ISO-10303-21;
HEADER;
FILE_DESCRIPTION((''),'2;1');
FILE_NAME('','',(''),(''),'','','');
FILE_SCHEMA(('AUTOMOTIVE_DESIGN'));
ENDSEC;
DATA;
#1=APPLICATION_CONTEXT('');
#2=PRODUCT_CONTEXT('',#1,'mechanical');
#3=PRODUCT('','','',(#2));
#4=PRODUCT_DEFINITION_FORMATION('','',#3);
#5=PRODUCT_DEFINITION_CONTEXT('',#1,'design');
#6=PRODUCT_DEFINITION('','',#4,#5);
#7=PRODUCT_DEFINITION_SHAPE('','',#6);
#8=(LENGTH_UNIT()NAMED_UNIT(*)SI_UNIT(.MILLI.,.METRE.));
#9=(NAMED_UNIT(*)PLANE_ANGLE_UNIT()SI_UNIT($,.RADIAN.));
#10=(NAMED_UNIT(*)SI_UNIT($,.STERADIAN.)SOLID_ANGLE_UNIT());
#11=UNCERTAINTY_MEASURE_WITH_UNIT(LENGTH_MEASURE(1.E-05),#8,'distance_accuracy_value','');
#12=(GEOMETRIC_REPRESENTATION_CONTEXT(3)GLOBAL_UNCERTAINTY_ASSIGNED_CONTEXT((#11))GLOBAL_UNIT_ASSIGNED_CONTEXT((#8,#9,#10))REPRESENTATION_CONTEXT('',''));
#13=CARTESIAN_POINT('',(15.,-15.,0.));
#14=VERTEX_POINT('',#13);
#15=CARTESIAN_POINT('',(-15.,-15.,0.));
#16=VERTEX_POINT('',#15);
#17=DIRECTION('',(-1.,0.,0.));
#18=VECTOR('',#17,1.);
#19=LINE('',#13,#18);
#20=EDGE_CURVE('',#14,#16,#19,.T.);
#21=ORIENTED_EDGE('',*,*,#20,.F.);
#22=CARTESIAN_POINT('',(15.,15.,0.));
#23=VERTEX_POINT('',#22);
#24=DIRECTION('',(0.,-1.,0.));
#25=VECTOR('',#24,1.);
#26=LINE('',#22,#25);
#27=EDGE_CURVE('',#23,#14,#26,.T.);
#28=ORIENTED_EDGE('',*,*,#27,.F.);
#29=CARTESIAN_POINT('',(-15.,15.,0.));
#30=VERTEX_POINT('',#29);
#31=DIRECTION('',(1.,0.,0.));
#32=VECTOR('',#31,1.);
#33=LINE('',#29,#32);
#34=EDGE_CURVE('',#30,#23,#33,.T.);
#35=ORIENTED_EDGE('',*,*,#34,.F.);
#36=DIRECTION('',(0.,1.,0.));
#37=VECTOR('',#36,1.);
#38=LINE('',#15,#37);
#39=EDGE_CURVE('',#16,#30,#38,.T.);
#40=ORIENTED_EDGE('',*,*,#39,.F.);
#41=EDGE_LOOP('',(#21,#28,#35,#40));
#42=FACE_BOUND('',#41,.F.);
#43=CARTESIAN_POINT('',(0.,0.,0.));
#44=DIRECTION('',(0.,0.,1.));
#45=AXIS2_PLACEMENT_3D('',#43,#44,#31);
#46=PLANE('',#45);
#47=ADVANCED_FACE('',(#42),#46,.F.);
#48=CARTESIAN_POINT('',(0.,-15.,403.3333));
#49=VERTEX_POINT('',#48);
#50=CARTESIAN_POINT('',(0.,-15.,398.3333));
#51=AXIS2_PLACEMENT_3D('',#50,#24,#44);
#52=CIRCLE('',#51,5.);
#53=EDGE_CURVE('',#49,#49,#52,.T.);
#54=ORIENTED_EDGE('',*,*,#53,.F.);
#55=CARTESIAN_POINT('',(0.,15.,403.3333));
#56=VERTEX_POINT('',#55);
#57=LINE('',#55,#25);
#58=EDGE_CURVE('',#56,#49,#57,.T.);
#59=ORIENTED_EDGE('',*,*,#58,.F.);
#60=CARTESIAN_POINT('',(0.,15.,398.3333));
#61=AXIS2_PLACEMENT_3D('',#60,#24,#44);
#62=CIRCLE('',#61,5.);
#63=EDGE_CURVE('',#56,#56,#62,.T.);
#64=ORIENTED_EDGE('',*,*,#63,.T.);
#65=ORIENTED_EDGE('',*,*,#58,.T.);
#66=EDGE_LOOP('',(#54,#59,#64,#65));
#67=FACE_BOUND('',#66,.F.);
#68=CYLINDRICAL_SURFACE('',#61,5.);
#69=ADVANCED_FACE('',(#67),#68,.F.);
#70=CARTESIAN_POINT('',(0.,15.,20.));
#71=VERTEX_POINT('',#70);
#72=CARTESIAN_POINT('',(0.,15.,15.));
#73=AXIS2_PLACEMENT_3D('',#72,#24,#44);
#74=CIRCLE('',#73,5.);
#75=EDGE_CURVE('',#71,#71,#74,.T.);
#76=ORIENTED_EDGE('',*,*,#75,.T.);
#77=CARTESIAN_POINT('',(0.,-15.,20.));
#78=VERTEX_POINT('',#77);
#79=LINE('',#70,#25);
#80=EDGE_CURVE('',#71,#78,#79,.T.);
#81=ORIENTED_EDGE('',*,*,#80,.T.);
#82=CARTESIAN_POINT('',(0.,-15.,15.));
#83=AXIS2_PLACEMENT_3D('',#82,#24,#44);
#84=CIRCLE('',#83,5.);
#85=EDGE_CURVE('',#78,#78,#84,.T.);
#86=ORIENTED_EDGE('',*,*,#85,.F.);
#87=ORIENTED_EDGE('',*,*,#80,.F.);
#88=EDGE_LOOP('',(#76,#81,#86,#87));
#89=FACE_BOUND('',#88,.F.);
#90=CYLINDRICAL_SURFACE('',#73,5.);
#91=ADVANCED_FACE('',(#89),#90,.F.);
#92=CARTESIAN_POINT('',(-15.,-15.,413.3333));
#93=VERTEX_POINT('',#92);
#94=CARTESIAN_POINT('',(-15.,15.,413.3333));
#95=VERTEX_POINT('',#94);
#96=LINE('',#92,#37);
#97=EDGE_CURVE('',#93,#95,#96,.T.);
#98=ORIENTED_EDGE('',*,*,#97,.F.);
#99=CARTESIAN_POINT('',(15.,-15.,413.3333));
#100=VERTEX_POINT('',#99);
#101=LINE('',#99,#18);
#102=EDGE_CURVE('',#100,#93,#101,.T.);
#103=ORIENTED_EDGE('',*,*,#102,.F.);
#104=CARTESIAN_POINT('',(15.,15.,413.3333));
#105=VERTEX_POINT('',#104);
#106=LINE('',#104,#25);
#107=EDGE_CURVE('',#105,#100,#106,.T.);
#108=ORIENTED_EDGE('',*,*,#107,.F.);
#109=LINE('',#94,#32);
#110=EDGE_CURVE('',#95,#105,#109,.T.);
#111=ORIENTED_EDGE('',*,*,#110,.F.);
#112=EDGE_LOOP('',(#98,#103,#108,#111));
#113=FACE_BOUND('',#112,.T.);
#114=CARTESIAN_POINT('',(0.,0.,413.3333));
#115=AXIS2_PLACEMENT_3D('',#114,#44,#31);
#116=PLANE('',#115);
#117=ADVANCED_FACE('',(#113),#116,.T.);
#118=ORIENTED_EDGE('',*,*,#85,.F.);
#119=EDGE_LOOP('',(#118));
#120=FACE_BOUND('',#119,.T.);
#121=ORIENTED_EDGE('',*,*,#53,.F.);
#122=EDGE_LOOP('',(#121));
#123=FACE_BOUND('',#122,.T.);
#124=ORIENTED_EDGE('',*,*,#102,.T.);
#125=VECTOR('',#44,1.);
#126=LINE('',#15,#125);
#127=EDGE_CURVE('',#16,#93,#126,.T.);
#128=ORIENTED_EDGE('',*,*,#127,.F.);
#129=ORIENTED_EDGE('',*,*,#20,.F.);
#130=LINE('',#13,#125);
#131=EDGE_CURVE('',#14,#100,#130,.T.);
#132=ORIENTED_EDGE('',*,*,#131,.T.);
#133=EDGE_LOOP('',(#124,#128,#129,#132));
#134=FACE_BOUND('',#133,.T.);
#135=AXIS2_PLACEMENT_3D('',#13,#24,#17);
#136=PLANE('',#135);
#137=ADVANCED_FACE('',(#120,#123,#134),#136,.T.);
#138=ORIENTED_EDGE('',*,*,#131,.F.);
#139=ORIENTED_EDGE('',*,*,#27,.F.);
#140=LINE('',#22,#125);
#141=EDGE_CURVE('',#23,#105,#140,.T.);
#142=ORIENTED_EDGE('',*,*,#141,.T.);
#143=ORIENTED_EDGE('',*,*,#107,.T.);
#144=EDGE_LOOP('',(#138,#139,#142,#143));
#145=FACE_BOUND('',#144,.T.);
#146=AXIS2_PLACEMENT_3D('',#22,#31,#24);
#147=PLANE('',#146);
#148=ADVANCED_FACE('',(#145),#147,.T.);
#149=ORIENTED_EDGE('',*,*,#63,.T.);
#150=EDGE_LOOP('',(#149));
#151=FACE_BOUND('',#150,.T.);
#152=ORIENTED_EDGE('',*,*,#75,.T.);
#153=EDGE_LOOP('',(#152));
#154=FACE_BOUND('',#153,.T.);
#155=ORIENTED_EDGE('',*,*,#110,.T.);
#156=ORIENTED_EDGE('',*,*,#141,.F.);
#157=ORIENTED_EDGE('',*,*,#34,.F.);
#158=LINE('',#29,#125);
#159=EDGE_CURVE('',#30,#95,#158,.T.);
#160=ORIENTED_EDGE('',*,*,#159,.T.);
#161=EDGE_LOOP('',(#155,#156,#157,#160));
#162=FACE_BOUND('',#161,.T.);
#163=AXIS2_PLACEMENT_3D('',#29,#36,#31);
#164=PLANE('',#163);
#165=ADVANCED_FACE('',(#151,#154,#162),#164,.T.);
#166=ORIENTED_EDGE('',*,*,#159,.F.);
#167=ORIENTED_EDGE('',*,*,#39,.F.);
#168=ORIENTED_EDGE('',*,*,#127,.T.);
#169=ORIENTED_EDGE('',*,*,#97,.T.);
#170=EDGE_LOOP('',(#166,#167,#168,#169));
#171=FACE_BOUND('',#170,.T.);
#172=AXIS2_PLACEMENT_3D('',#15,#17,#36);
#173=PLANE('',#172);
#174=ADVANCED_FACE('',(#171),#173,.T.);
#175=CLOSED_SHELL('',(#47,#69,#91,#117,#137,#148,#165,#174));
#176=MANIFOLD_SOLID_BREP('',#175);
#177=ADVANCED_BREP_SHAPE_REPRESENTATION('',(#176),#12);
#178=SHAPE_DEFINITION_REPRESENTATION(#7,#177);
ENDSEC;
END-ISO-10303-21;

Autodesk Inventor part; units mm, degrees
ref_plane "YZ Plane" through (0, 0, 0) normal (1, 0, 0) x (0, 1, 0)
ref_plane "XZ Plane" through (0, 0, 0) normal (0, 1, 0) x (-1, 0, 0)
ref_plane "XY Plane" through (0, 0, 0) normal (0, 0, 1) x (1, 0, 0)
sketch "スケッチ4" plane through (0, 0, 0) normal (0, 0, 1) x (1, 0, 0)
  line L0 (-15, 15) -> (15, 15)
  line L1 (15, 15) -> (15, -15)
  line L2 (15, -15) -> (-15, -15)
  line L3 (-15, -15) -> (-15, 15)
  line L4 (-15, 15) -> (15, -15) construction
  line L5 (15, 15) -> (-15, -15) construction
  point P0 (0, 0)
  dimension "d14" = 30
  dimension "d15" = 30
extrude "押し出し2" add sketch "スケッチ4" along normal blind 413.3333
sketch "スケッチ5" plane through (-15, 15, 0) normal (0, 1, 0) x (1, 0, 0)
  line L0 (30, -413.3333) -> (0, -413.3333) projected
  line L1 (0, 0) -> (30, 0) projected
  point P0 (15, 0)
  point P1 (15, -398.3333)
  point P2 (15, -15)
  dimension "d18" = 15
  dimension "d19" = 15
hole "穴2" at (0, 15, 398.3333) at (0, 15, 15) direction (0, -1, 0) diameter 10 end through all
